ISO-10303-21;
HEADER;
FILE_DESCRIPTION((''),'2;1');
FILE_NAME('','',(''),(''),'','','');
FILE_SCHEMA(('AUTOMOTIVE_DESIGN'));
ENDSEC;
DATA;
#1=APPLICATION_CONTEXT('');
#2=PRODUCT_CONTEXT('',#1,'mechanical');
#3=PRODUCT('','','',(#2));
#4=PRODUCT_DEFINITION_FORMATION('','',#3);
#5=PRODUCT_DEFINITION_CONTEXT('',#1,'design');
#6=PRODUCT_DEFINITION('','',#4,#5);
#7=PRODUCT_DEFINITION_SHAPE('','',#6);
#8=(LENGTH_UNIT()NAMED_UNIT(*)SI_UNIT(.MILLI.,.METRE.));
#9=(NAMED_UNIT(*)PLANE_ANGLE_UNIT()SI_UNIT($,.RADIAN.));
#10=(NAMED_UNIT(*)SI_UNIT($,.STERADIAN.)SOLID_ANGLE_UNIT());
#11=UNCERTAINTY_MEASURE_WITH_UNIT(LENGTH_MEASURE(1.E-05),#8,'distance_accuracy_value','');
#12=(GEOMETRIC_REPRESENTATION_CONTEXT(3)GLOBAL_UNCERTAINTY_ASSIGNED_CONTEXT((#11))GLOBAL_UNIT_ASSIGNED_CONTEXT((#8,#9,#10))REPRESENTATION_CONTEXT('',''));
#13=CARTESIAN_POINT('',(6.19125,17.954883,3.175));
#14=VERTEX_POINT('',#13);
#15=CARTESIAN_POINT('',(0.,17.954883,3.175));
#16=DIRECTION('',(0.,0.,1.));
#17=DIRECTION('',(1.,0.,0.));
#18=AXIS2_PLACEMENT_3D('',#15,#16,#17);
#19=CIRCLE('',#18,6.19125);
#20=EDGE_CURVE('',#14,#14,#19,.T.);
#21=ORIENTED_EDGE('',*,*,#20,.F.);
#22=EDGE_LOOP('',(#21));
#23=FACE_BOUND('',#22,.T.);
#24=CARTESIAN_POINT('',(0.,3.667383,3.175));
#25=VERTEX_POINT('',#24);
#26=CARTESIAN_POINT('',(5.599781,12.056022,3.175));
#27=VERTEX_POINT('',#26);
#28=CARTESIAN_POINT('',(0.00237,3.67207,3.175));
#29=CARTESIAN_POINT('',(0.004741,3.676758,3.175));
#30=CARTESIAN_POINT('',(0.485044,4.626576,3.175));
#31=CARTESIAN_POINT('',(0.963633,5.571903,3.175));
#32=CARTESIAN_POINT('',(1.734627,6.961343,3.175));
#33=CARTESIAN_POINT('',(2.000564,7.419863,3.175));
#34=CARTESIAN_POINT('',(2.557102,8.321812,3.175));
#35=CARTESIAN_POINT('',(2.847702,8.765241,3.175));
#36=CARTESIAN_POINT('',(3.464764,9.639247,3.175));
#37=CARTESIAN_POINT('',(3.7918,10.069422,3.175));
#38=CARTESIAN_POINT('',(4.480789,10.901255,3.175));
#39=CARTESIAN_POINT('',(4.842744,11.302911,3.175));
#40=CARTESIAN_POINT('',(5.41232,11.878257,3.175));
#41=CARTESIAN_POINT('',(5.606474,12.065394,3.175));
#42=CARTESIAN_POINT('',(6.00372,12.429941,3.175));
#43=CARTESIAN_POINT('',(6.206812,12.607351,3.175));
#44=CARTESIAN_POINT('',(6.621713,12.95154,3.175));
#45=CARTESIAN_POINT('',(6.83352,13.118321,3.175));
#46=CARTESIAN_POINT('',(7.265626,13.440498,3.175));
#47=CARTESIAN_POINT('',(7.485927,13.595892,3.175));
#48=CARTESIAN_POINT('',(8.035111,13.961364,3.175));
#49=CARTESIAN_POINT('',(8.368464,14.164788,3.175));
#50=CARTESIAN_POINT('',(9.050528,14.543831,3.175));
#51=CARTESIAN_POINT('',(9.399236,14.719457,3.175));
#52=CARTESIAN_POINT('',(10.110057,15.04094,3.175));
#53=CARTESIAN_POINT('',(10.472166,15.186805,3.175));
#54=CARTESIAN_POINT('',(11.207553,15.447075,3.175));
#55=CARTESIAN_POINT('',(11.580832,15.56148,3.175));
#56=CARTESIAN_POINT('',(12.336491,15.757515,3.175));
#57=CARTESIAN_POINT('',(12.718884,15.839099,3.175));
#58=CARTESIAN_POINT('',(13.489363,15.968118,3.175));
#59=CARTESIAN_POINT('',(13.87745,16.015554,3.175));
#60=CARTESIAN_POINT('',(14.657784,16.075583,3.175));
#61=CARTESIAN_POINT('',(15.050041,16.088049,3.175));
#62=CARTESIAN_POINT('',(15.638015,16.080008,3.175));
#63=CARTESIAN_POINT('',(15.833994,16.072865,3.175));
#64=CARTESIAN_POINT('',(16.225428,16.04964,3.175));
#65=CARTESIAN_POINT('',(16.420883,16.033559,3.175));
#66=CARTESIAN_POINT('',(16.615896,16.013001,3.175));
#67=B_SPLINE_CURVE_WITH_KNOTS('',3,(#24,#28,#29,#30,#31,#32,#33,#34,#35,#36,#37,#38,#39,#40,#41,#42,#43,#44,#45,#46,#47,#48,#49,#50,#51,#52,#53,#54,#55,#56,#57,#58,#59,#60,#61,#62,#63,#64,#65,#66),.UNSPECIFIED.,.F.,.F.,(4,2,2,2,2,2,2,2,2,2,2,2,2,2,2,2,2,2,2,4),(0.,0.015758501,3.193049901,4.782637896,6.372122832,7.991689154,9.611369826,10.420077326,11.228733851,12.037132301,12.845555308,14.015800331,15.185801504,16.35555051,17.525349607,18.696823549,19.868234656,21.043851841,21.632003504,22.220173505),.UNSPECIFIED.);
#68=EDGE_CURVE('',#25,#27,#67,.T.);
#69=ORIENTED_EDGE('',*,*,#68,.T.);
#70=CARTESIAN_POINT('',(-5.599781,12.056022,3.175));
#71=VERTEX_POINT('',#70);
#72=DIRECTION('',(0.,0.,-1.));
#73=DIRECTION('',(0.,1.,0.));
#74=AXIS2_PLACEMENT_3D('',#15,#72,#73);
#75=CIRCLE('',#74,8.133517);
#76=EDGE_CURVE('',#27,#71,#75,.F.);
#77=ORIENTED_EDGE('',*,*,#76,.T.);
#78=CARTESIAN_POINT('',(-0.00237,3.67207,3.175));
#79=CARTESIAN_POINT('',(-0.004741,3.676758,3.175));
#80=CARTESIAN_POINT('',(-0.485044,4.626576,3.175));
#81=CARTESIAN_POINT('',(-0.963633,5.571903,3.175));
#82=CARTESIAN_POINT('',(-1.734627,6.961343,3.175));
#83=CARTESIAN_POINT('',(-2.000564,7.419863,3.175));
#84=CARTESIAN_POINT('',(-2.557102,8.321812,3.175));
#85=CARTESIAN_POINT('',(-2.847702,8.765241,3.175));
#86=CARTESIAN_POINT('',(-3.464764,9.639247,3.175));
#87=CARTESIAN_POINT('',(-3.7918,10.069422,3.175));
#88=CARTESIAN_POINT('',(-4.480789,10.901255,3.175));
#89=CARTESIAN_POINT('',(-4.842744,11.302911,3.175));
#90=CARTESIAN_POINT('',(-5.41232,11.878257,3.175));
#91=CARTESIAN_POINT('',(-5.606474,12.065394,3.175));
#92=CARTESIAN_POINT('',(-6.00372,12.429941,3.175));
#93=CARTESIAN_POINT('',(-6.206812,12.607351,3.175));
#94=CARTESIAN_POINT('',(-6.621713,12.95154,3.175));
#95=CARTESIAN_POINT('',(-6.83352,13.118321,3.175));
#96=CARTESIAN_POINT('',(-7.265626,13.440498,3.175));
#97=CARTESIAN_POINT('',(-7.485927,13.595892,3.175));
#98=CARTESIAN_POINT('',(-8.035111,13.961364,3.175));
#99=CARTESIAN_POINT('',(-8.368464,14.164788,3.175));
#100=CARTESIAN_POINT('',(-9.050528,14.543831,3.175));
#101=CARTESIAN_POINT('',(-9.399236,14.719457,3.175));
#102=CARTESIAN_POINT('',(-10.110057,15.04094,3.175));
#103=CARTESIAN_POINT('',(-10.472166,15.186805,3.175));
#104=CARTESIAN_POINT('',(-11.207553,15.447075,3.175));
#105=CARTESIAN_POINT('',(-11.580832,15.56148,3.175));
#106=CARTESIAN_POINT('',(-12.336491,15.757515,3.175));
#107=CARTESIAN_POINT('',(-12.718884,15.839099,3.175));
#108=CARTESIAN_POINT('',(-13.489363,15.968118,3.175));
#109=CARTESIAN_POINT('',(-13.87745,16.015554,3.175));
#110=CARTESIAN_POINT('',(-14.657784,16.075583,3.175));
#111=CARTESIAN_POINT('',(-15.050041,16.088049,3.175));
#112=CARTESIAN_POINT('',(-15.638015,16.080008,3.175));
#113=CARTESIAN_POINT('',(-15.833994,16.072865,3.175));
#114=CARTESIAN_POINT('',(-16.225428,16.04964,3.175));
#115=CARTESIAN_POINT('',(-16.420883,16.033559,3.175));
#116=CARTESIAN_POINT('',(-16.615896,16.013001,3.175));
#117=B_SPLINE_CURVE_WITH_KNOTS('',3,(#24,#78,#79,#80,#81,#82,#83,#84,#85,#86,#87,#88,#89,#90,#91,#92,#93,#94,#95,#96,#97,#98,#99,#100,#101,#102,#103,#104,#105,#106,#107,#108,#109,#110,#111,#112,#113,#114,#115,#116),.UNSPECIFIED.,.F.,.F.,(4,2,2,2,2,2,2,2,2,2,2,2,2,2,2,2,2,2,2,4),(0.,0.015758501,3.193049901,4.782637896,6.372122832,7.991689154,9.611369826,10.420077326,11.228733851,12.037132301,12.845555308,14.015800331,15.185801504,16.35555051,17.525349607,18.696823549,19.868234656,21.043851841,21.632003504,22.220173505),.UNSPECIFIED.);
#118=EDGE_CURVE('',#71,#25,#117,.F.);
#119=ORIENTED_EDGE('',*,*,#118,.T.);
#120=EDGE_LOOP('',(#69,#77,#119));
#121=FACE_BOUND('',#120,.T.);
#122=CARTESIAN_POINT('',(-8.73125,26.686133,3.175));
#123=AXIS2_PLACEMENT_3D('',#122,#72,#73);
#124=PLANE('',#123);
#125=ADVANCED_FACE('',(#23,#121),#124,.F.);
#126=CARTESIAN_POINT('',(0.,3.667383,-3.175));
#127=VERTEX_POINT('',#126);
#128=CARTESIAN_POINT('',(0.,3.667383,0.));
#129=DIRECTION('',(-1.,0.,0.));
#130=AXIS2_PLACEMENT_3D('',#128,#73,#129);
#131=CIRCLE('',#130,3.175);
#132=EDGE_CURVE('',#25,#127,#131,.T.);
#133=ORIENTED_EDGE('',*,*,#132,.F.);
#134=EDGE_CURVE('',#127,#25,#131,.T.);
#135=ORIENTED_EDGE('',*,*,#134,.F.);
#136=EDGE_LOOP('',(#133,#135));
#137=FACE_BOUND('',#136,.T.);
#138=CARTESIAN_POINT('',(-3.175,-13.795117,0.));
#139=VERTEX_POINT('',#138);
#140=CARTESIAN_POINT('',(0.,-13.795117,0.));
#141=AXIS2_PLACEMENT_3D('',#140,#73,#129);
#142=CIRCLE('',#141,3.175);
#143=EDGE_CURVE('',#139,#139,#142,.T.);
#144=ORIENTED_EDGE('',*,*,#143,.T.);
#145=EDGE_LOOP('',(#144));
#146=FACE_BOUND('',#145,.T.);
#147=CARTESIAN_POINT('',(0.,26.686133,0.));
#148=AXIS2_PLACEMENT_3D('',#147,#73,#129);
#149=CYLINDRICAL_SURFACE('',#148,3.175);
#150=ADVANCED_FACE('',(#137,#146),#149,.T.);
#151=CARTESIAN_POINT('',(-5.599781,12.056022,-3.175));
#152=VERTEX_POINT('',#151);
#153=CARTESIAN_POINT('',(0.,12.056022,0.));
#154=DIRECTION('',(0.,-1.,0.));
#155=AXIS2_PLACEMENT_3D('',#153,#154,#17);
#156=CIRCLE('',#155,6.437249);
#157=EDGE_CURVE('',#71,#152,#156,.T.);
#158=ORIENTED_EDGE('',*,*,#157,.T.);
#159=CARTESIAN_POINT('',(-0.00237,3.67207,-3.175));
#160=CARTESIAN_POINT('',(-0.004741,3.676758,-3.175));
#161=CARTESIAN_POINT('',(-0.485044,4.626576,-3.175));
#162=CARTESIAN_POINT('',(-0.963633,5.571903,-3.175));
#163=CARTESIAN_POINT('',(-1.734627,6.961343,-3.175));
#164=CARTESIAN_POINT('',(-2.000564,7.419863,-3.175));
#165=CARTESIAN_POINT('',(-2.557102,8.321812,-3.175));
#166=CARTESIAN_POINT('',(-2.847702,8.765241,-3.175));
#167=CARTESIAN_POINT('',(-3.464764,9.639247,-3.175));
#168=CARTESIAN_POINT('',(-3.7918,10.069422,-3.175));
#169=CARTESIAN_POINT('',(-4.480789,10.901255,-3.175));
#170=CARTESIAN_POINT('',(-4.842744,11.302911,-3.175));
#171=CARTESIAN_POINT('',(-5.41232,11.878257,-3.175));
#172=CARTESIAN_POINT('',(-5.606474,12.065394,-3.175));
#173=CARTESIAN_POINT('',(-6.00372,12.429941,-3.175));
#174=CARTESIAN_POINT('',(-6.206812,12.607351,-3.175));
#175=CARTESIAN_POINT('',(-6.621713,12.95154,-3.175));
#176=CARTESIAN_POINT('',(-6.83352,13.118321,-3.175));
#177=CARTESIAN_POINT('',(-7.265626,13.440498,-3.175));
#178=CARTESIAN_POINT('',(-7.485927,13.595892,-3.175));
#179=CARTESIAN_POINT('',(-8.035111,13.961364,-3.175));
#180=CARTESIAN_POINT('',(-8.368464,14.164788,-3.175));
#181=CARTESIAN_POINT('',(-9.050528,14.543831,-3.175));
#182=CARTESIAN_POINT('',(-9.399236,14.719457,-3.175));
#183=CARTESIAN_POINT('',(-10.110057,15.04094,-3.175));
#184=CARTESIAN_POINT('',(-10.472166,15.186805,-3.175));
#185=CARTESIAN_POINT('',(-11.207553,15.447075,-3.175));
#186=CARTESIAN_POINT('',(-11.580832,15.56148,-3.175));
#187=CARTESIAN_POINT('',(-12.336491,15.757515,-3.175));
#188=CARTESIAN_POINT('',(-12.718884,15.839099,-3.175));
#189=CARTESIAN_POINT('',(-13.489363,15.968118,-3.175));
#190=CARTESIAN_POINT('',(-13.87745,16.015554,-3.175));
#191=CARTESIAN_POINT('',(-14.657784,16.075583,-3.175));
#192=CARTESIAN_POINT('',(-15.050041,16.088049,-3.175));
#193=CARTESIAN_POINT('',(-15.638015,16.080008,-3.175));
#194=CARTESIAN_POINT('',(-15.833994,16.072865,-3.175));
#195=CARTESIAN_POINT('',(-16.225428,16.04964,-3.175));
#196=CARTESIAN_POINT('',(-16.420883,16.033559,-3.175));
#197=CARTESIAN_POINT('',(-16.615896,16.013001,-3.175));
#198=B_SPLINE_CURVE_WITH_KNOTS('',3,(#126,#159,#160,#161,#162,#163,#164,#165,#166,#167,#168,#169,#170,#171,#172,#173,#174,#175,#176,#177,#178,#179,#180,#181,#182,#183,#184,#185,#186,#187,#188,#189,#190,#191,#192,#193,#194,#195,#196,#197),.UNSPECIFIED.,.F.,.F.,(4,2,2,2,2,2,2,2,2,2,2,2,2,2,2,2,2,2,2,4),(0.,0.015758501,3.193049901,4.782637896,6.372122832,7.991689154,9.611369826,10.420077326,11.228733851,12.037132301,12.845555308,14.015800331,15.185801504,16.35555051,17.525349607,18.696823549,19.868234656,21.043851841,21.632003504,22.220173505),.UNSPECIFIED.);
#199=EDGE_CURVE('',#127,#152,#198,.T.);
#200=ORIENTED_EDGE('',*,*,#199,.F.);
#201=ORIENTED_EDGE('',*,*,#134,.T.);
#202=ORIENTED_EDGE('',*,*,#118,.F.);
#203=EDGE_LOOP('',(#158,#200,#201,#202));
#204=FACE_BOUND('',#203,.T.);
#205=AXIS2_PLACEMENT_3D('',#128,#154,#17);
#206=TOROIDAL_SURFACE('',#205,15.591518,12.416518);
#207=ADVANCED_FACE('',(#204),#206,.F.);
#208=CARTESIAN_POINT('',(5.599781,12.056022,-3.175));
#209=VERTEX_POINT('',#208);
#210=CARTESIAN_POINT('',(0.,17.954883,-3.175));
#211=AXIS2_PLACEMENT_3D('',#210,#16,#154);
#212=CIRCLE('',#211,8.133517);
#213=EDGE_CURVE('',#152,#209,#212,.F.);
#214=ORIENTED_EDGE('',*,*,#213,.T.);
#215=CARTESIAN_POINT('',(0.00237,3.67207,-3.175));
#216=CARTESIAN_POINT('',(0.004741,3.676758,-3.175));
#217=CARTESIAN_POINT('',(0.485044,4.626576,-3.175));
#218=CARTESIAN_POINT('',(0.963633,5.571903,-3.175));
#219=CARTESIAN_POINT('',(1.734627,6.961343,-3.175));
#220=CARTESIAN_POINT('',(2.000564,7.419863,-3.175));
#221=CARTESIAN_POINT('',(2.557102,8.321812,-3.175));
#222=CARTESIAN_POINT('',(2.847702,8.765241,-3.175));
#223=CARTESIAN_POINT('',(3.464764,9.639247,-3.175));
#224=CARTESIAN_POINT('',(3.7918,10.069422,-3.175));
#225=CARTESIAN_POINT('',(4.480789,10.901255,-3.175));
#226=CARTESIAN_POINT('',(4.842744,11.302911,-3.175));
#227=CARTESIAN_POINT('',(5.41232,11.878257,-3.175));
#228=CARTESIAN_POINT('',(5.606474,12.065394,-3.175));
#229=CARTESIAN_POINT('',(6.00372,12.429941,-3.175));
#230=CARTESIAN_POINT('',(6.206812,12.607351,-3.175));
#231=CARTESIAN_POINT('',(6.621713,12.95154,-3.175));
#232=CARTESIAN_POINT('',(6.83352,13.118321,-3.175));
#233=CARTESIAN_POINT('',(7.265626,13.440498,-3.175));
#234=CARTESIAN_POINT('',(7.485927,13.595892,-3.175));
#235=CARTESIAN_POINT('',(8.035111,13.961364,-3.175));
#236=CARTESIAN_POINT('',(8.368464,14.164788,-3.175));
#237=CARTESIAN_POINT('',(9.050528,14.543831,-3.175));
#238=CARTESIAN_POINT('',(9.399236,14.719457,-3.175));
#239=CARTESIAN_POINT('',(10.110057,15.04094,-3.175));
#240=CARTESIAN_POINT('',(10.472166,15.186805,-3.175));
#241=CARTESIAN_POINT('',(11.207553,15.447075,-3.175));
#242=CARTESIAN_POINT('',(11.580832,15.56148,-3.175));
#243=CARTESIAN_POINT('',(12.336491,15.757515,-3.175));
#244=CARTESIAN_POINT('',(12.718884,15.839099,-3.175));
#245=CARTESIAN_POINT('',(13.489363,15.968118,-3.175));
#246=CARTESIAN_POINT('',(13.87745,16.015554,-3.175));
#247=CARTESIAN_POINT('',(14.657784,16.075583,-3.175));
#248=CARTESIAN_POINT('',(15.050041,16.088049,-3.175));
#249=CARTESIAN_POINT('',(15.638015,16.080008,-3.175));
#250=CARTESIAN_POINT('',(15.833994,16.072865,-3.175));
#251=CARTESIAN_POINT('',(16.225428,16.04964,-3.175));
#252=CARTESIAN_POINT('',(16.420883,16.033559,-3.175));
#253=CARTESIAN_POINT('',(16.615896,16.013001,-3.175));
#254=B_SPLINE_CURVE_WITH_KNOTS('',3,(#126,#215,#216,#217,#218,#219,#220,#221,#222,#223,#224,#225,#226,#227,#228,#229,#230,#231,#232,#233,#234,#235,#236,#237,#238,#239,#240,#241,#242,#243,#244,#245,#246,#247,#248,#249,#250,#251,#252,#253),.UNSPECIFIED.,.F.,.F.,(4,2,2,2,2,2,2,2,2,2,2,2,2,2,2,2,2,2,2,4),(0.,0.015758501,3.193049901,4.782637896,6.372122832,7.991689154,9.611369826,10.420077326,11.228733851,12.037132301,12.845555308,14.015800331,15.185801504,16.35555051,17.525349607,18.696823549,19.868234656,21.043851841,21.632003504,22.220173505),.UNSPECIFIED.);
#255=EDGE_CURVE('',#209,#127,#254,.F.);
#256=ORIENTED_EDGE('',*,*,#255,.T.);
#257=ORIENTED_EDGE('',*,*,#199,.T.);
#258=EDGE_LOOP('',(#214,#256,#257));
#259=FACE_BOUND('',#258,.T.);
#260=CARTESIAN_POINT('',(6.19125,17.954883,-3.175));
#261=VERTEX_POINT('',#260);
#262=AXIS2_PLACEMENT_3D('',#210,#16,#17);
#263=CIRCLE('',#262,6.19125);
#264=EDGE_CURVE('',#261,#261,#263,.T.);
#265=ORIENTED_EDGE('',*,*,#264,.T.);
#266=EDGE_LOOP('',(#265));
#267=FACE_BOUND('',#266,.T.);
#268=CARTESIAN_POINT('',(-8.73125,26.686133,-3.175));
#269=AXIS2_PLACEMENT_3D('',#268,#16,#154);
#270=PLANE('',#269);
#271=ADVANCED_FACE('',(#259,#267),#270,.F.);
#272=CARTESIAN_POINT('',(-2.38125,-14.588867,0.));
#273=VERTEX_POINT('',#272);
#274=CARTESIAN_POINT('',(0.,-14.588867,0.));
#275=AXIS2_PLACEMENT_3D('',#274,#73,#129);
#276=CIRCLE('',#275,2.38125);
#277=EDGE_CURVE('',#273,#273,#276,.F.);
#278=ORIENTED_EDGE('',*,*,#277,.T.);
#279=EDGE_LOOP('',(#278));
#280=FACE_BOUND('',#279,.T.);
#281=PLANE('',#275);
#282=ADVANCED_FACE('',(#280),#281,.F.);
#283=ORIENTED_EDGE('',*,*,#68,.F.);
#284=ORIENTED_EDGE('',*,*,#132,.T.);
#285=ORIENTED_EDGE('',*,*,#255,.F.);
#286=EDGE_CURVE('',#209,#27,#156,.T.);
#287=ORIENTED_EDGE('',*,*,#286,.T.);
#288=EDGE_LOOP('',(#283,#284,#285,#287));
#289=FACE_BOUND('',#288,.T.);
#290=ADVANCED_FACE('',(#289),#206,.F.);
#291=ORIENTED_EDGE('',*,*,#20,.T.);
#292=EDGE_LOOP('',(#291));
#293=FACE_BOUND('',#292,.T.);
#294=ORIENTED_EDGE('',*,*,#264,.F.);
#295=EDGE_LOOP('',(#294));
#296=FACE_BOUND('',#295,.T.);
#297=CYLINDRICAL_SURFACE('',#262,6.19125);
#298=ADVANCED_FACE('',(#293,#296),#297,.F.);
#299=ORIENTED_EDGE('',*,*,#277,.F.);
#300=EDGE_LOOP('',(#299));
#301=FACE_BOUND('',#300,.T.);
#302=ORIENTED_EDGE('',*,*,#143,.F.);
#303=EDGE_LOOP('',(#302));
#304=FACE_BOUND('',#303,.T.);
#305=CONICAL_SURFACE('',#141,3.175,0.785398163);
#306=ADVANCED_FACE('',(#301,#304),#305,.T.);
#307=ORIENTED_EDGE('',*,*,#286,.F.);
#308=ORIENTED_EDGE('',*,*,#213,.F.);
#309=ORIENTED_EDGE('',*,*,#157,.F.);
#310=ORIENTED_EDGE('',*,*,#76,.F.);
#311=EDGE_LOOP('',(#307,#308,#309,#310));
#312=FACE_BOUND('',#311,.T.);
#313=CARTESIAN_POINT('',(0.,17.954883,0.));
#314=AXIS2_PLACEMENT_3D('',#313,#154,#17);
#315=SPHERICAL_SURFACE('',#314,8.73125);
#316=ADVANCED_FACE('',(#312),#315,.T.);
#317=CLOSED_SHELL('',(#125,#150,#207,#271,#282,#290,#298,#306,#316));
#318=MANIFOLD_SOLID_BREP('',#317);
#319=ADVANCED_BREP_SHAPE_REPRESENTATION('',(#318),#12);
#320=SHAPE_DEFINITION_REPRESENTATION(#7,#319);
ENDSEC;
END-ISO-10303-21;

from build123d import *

# Parameters (mm, degrees)
SKETCH1_W               = 6.35
SKETCH1_H               = 36.5125
CHAMFER2_SIZE           = 1.5875
SKETCH5_W               = 11.1125
SKETCH5_H               = 46.0375
CUT_EXTRUDE1_DEPTH      = 18.4625
CUT_EXTRUDE1_DEPTH_BACK = 18.4625
SKETCH6_R               = 12.3825
CUT_EXTRUDE2_DEPTH      = 7.3500001
CUT_EXTRUDE2_DEPTH_BACK = 7.3500001
SCALE1_SCALE            = 0.75
SCALE2_SCALE            = 0.666666667


with BuildPart() as part:
    # Sketch1 → Revolve1 (revolve)
    with BuildSketch(Plane.XY):
        with Locations((3.175, -18.25625)):
            Rectangle(SKETCH1_W, SKETCH1_H)
    revolve(axis=Axis((0, 46.0375, 0), (0, -1, 0)))

    # Chamfer2
    chamfer2_edges = [part.edges().sort_by_distance(p)[0] for p in [
        (-6.35, -36.5125, 0),
    ]]
    chamfer(chamfer2_edges, length=CHAMFER2_SIZE)

    # Sketch4 → Revolve2 (revolve)
    with BuildSketch(Plane.XY):
        with BuildLine():
            Line((6.35, 0), (0, 0))
            Line((0, 0), (0, 46.0375))
            ThreePointArc((0, 46.0375), (15.983688754, 35.607823052), (12.874497319, 16.77727882))
            ThreePointArc((12.874497319, 16.77727882), (8.03853042, 9.000640948), (6.35, 0))
        make_face()
    revolve(axis=Axis((0, 46.0375, 0), (0, 1, 0)))

    # Sketch5 → Cut-Extrude1 (cut, two sides)
    with BuildSketch(Plane(origin=(0, 0, 0), x_dir=(0, 0, -1), z_dir=(1, 0, 0))) as cut_extrude1_sk:
        with Locations((11.90625, 23.01875)):
            Rectangle(SKETCH5_W, SKETCH5_H)
        with Locations((-11.90625, 23.01875)):
            Rectangle(SKETCH5_W, SKETCH5_H)
    extrude(amount=CUT_EXTRUDE1_DEPTH, mode=Mode.SUBTRACT)
    extrude(cut_extrude1_sk.sketch, amount=-CUT_EXTRUDE1_DEPTH_BACK, mode=Mode.SUBTRACT)

    # Sketch6 → Cut-Extrude2 (cut, two sides)
    with BuildSketch(Plane.XY) as cut_extrude2_sk:
        with Locations((0, 28.575)):
            Circle(SKETCH6_R)
    extrude(amount=CUT_EXTRUDE2_DEPTH, mode=Mode.SUBTRACT)
    extrude(cut_extrude2_sk.sketch, amount=-CUT_EXTRUDE2_DEPTH_BACK, mode=Mode.SUBTRACT)


with BuildPart() as part_1:
    # Scale1: scaled about (-0.000122935, 7.334416679, -0.001044289)
    add(part.part.scale(SCALE1_SCALE).moved(Location((-3.0734e-05, 1.83360417, -0.000261072))))


with BuildPart() as part_2:
    # Scale2: scaled about (-0.000122935, 7.334416679, -0.001044289)
    add(part_1.part.scale(SCALE2_SCALE).moved(Location((-4.0978e-05, 2.44480556, -0.000348096))))


solid = part_2.part
